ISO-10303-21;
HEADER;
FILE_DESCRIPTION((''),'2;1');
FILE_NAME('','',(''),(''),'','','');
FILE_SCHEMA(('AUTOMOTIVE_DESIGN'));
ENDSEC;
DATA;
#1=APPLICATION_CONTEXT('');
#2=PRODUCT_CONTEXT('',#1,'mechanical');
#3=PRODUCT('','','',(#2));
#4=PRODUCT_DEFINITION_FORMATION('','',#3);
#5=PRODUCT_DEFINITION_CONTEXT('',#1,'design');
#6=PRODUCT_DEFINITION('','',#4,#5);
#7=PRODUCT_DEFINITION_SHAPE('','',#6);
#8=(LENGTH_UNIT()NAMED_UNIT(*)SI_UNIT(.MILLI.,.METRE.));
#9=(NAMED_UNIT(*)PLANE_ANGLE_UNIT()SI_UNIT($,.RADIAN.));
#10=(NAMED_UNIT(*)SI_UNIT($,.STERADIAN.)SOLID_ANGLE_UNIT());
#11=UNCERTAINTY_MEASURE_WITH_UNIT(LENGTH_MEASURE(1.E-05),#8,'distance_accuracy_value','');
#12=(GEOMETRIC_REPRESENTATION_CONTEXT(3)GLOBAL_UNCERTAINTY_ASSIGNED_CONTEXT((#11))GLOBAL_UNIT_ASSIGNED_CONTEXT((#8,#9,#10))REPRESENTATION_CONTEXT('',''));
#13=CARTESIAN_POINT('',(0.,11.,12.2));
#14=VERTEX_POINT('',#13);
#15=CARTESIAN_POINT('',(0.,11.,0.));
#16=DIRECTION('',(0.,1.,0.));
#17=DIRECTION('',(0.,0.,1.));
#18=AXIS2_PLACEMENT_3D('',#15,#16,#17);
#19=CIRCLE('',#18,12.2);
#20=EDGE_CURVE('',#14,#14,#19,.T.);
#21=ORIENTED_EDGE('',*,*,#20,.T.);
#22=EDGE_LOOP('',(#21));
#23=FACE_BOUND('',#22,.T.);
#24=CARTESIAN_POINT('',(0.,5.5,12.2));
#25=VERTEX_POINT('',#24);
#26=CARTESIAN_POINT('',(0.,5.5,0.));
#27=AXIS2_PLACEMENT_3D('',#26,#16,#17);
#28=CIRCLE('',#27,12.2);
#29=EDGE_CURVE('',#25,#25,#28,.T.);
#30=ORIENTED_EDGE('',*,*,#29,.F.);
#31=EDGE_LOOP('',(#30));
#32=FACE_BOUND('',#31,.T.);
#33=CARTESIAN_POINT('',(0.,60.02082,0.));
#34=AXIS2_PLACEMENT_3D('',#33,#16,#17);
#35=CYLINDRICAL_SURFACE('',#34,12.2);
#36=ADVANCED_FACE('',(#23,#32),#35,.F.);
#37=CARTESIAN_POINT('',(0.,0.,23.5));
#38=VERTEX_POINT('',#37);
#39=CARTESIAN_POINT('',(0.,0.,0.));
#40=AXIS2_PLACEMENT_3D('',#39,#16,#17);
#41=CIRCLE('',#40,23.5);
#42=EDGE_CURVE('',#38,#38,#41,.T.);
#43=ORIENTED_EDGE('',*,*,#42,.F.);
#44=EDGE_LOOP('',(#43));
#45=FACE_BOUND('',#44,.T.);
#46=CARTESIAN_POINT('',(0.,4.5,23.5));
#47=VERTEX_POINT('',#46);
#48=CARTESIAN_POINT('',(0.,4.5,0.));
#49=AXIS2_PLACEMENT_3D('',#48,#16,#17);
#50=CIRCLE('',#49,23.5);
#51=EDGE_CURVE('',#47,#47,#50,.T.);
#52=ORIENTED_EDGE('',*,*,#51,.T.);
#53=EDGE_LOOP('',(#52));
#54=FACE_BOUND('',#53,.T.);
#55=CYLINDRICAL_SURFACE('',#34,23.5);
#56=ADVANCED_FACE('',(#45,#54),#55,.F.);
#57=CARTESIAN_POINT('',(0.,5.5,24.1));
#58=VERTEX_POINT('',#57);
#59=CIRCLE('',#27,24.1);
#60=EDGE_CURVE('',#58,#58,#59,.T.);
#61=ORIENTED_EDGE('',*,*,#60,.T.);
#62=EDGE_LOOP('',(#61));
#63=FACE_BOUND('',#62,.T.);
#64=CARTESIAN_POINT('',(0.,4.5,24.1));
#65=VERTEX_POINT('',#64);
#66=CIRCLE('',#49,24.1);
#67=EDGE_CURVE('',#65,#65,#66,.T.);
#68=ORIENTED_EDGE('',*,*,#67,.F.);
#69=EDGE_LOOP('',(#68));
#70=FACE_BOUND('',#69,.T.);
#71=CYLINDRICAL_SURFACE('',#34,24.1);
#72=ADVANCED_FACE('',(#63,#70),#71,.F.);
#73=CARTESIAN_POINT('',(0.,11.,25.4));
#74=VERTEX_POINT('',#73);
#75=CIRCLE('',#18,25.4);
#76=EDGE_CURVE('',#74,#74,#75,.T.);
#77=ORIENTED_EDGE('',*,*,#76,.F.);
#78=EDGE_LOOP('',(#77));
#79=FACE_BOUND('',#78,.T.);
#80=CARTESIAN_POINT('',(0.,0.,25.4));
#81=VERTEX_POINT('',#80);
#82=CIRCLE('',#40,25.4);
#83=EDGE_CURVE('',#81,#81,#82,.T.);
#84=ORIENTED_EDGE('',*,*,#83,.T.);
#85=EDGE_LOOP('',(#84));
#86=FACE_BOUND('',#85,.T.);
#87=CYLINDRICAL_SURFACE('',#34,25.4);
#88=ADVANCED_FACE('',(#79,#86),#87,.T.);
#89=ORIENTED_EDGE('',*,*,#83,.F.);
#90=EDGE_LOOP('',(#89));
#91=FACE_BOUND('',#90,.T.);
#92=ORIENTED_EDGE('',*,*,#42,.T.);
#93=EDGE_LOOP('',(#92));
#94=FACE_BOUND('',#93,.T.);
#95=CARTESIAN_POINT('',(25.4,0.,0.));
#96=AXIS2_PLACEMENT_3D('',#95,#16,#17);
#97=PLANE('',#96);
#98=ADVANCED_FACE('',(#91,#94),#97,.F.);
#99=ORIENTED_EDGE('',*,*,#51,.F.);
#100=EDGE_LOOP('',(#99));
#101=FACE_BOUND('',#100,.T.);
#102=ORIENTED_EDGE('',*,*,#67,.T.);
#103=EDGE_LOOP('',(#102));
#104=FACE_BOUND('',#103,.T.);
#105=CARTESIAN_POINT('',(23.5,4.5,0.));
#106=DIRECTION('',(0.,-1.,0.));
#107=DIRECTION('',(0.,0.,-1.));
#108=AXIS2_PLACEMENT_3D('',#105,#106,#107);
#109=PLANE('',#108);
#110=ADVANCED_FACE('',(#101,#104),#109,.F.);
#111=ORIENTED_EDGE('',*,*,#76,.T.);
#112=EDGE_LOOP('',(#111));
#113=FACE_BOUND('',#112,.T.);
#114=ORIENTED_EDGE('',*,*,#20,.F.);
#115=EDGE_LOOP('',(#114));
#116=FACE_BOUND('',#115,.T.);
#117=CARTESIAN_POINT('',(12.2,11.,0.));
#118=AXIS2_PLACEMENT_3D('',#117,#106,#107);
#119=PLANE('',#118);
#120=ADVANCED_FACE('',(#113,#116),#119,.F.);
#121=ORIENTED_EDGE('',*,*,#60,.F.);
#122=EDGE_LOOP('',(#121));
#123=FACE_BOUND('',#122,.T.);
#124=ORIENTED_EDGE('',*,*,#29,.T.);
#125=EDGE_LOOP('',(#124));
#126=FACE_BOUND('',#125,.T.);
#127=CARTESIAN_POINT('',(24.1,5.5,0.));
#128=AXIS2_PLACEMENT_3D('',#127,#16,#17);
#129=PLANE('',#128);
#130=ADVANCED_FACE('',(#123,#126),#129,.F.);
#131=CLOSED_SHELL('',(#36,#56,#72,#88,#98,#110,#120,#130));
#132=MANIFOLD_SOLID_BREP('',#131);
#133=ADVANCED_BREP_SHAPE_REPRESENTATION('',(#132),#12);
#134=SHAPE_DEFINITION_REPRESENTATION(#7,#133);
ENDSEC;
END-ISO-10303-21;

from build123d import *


with BuildPart() as part:
    # 草图1 → 旋转1 (revolve)
    with BuildSketch(Plane.XY, mode=Mode.PRIVATE) as revolve_1_sk:
        Polygon((23.5, 0), (23.5, 4.5), (24.1, 4.5), (24.1, 5.5), (12.2, 5.5), (12.2, 11), (25.4, 11), (25.4, 0), align=None)
    revolve(revolve_1_sk.sketch.rotate(Axis((0, 60.020820414, 0), (0, -1, 0)), 90), axis=Axis((0, 60.020820414, 0), (0, -1, 0)))  # turned: the seam where the file's is


solid = part.part
